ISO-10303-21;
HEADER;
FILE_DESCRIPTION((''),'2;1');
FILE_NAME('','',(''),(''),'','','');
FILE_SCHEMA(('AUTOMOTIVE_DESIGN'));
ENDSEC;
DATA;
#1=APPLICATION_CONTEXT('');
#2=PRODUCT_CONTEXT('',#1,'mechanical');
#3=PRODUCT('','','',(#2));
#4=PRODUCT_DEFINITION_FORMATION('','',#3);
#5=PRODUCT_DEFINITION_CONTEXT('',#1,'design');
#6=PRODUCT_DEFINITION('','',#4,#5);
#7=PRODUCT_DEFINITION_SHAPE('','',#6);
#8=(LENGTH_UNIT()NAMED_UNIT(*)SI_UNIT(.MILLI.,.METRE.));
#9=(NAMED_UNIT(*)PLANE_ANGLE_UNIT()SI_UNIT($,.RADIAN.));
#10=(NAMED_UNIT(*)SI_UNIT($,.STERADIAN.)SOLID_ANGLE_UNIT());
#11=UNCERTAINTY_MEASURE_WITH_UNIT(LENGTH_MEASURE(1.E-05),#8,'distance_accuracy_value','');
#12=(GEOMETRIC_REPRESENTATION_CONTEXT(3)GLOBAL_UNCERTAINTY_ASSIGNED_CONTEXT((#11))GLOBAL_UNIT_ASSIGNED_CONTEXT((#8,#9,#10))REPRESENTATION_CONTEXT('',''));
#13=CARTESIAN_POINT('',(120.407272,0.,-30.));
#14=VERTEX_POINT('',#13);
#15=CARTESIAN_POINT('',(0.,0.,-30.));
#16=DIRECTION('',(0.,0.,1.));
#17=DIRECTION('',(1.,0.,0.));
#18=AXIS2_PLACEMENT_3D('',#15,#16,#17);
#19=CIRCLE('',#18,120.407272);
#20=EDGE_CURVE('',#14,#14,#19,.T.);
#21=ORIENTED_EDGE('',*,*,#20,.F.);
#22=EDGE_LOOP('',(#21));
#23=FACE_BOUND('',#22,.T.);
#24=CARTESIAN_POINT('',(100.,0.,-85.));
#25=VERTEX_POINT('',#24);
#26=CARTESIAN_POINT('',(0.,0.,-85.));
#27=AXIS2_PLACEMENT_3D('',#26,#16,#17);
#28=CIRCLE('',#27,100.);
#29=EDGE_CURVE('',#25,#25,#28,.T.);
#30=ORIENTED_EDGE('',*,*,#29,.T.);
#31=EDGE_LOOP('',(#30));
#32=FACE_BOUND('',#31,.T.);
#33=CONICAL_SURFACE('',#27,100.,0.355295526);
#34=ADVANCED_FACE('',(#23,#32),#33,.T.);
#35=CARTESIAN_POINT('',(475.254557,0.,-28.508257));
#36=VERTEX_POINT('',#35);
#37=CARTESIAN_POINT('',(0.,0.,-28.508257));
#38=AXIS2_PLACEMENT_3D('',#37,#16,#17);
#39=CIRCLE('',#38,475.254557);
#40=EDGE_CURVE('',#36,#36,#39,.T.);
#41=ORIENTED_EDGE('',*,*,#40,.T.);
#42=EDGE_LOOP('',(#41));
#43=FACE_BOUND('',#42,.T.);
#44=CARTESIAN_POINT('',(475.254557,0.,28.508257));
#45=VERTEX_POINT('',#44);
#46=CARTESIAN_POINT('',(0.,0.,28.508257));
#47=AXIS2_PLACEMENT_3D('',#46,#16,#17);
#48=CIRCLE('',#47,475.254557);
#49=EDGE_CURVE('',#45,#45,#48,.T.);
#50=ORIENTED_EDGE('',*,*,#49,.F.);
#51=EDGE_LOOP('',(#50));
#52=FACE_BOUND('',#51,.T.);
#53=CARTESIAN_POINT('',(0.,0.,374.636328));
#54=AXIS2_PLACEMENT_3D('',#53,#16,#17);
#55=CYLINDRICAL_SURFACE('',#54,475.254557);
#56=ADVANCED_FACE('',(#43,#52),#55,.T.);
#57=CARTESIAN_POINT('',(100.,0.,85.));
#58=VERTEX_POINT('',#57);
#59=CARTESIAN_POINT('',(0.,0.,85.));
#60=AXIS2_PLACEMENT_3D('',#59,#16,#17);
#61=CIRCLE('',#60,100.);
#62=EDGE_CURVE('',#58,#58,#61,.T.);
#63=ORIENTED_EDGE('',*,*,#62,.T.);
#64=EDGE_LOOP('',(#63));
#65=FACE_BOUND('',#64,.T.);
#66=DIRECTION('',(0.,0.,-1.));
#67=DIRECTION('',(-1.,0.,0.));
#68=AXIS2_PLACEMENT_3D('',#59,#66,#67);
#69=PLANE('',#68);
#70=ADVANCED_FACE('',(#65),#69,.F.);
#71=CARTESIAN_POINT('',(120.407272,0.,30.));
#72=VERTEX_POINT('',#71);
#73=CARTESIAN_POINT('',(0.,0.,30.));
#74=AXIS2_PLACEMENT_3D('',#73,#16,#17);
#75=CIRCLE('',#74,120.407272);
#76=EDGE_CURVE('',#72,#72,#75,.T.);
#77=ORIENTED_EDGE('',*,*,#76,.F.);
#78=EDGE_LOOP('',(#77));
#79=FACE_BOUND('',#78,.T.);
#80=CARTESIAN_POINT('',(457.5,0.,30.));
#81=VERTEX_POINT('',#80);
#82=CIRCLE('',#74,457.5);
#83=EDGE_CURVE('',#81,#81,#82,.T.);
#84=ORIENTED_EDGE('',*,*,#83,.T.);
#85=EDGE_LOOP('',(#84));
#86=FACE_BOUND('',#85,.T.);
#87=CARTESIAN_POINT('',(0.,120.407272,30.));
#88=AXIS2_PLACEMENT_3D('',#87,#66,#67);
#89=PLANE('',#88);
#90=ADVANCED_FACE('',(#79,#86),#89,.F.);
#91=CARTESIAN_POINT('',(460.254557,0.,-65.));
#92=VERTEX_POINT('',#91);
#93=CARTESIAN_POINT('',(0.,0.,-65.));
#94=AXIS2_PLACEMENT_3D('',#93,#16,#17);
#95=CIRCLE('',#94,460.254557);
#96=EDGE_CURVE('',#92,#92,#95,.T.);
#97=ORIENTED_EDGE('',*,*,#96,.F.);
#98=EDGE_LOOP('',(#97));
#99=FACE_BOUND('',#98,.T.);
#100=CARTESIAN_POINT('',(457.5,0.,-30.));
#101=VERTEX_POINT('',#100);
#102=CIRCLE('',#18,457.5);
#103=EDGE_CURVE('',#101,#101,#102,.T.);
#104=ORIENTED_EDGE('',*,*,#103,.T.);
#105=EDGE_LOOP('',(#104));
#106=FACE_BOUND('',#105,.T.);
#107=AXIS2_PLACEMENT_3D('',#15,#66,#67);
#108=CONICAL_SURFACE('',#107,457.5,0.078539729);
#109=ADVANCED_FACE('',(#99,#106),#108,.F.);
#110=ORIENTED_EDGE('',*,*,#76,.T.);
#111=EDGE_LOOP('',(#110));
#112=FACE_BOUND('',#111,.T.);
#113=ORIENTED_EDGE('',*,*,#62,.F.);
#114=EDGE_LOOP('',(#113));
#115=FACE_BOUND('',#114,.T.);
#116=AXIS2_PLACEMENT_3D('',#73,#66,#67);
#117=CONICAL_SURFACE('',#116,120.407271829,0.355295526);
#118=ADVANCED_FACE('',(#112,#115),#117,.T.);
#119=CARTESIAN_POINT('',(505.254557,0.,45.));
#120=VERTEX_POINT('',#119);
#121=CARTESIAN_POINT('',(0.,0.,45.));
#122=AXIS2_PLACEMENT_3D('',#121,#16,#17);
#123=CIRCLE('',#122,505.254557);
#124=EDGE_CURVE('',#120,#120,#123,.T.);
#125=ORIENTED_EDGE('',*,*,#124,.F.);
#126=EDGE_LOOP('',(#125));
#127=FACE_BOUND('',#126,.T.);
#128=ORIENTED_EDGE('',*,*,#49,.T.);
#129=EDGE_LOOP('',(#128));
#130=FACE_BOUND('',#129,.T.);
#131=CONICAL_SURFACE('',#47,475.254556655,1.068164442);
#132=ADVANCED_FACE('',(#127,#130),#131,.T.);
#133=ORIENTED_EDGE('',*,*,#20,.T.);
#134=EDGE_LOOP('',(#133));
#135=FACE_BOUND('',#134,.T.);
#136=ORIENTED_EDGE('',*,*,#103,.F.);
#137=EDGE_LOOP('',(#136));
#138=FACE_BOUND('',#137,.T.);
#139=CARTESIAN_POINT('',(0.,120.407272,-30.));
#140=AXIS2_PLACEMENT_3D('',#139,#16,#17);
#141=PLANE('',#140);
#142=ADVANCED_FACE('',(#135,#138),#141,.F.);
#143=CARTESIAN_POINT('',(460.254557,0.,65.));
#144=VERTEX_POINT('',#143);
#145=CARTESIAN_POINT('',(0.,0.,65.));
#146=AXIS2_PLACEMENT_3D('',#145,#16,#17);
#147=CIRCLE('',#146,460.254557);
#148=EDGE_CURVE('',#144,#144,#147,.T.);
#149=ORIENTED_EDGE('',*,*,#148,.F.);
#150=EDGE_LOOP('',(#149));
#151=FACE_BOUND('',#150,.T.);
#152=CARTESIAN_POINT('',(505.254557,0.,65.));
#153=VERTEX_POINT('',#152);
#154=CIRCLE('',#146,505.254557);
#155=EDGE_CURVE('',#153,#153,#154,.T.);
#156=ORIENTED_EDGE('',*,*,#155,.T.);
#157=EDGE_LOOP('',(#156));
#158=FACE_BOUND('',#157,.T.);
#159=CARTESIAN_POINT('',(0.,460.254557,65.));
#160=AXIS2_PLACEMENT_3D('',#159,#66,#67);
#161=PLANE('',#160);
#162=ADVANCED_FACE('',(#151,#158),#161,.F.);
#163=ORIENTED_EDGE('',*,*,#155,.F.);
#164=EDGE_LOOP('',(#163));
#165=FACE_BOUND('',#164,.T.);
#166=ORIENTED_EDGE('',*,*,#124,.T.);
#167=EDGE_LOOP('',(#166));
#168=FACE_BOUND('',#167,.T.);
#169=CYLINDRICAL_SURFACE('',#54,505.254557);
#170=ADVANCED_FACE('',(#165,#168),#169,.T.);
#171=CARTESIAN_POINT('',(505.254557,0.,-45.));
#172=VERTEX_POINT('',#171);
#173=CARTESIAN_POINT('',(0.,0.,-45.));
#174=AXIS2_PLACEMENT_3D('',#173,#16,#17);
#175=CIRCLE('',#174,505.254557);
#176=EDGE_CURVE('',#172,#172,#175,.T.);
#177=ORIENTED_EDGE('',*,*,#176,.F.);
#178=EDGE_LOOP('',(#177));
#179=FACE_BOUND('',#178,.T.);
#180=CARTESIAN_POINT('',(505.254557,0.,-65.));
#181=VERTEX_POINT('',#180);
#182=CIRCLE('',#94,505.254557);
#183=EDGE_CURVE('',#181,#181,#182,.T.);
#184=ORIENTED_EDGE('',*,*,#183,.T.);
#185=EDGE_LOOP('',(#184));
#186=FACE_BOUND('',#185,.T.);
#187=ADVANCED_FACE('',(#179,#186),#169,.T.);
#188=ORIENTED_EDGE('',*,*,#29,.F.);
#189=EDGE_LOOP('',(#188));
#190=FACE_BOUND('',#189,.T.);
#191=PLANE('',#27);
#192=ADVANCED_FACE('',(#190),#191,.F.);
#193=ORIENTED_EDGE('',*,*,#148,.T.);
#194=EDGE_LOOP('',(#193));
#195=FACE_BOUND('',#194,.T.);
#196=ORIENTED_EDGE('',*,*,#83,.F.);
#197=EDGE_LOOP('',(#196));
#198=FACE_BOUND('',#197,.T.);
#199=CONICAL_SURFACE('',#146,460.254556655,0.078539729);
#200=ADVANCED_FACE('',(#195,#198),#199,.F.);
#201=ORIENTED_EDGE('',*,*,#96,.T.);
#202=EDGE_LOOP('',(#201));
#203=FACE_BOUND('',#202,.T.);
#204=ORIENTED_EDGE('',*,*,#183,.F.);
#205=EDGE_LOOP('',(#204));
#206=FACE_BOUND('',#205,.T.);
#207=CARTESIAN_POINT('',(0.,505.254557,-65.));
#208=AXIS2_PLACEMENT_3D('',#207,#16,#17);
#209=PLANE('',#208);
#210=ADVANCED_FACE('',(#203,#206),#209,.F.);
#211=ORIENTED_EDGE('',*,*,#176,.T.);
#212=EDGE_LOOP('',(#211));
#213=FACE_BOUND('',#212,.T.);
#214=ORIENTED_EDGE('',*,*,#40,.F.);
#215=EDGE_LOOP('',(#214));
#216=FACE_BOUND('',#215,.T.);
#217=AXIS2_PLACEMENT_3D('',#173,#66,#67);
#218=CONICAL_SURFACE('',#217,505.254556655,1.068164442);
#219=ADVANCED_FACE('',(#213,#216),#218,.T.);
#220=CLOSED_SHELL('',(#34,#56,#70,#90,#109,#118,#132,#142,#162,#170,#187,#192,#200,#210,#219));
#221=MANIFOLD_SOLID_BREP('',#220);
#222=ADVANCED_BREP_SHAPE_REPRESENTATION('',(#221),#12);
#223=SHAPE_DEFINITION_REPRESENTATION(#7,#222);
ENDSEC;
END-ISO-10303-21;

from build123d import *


with BuildPart() as part:
    # Sketch1 → Revolve1 (revolve)
    with BuildSketch(Plane(origin=(0, 0, 0), x_dir=(0, 0, -1), z_dir=(1, 0, 0)), mode=Mode.PRIVATE) as revolve1_sk:
        Polygon((-85, 0), (-85, 100), (-30, 120.407271829), (-30, 457.5), (-65, 460.254556655), (-65, 505.254556655), (-45, 505.254556655), (-28.508256592, 475.254556655), (28.508256592, 475.254556655), (45, 505.254556655), (65, 505.254556655), (65, 460.254556655), (30, 457.5), (30, 120.407271829), (85, 100), (85, 0), align=None)
    revolve(revolve1_sk.sketch.rotate(Axis((0, 0, 374.636327729), (0, 0, -1)), 90), axis=Axis((0, 0, 374.636327729), (0, 0, -1)))


solid = part.part
